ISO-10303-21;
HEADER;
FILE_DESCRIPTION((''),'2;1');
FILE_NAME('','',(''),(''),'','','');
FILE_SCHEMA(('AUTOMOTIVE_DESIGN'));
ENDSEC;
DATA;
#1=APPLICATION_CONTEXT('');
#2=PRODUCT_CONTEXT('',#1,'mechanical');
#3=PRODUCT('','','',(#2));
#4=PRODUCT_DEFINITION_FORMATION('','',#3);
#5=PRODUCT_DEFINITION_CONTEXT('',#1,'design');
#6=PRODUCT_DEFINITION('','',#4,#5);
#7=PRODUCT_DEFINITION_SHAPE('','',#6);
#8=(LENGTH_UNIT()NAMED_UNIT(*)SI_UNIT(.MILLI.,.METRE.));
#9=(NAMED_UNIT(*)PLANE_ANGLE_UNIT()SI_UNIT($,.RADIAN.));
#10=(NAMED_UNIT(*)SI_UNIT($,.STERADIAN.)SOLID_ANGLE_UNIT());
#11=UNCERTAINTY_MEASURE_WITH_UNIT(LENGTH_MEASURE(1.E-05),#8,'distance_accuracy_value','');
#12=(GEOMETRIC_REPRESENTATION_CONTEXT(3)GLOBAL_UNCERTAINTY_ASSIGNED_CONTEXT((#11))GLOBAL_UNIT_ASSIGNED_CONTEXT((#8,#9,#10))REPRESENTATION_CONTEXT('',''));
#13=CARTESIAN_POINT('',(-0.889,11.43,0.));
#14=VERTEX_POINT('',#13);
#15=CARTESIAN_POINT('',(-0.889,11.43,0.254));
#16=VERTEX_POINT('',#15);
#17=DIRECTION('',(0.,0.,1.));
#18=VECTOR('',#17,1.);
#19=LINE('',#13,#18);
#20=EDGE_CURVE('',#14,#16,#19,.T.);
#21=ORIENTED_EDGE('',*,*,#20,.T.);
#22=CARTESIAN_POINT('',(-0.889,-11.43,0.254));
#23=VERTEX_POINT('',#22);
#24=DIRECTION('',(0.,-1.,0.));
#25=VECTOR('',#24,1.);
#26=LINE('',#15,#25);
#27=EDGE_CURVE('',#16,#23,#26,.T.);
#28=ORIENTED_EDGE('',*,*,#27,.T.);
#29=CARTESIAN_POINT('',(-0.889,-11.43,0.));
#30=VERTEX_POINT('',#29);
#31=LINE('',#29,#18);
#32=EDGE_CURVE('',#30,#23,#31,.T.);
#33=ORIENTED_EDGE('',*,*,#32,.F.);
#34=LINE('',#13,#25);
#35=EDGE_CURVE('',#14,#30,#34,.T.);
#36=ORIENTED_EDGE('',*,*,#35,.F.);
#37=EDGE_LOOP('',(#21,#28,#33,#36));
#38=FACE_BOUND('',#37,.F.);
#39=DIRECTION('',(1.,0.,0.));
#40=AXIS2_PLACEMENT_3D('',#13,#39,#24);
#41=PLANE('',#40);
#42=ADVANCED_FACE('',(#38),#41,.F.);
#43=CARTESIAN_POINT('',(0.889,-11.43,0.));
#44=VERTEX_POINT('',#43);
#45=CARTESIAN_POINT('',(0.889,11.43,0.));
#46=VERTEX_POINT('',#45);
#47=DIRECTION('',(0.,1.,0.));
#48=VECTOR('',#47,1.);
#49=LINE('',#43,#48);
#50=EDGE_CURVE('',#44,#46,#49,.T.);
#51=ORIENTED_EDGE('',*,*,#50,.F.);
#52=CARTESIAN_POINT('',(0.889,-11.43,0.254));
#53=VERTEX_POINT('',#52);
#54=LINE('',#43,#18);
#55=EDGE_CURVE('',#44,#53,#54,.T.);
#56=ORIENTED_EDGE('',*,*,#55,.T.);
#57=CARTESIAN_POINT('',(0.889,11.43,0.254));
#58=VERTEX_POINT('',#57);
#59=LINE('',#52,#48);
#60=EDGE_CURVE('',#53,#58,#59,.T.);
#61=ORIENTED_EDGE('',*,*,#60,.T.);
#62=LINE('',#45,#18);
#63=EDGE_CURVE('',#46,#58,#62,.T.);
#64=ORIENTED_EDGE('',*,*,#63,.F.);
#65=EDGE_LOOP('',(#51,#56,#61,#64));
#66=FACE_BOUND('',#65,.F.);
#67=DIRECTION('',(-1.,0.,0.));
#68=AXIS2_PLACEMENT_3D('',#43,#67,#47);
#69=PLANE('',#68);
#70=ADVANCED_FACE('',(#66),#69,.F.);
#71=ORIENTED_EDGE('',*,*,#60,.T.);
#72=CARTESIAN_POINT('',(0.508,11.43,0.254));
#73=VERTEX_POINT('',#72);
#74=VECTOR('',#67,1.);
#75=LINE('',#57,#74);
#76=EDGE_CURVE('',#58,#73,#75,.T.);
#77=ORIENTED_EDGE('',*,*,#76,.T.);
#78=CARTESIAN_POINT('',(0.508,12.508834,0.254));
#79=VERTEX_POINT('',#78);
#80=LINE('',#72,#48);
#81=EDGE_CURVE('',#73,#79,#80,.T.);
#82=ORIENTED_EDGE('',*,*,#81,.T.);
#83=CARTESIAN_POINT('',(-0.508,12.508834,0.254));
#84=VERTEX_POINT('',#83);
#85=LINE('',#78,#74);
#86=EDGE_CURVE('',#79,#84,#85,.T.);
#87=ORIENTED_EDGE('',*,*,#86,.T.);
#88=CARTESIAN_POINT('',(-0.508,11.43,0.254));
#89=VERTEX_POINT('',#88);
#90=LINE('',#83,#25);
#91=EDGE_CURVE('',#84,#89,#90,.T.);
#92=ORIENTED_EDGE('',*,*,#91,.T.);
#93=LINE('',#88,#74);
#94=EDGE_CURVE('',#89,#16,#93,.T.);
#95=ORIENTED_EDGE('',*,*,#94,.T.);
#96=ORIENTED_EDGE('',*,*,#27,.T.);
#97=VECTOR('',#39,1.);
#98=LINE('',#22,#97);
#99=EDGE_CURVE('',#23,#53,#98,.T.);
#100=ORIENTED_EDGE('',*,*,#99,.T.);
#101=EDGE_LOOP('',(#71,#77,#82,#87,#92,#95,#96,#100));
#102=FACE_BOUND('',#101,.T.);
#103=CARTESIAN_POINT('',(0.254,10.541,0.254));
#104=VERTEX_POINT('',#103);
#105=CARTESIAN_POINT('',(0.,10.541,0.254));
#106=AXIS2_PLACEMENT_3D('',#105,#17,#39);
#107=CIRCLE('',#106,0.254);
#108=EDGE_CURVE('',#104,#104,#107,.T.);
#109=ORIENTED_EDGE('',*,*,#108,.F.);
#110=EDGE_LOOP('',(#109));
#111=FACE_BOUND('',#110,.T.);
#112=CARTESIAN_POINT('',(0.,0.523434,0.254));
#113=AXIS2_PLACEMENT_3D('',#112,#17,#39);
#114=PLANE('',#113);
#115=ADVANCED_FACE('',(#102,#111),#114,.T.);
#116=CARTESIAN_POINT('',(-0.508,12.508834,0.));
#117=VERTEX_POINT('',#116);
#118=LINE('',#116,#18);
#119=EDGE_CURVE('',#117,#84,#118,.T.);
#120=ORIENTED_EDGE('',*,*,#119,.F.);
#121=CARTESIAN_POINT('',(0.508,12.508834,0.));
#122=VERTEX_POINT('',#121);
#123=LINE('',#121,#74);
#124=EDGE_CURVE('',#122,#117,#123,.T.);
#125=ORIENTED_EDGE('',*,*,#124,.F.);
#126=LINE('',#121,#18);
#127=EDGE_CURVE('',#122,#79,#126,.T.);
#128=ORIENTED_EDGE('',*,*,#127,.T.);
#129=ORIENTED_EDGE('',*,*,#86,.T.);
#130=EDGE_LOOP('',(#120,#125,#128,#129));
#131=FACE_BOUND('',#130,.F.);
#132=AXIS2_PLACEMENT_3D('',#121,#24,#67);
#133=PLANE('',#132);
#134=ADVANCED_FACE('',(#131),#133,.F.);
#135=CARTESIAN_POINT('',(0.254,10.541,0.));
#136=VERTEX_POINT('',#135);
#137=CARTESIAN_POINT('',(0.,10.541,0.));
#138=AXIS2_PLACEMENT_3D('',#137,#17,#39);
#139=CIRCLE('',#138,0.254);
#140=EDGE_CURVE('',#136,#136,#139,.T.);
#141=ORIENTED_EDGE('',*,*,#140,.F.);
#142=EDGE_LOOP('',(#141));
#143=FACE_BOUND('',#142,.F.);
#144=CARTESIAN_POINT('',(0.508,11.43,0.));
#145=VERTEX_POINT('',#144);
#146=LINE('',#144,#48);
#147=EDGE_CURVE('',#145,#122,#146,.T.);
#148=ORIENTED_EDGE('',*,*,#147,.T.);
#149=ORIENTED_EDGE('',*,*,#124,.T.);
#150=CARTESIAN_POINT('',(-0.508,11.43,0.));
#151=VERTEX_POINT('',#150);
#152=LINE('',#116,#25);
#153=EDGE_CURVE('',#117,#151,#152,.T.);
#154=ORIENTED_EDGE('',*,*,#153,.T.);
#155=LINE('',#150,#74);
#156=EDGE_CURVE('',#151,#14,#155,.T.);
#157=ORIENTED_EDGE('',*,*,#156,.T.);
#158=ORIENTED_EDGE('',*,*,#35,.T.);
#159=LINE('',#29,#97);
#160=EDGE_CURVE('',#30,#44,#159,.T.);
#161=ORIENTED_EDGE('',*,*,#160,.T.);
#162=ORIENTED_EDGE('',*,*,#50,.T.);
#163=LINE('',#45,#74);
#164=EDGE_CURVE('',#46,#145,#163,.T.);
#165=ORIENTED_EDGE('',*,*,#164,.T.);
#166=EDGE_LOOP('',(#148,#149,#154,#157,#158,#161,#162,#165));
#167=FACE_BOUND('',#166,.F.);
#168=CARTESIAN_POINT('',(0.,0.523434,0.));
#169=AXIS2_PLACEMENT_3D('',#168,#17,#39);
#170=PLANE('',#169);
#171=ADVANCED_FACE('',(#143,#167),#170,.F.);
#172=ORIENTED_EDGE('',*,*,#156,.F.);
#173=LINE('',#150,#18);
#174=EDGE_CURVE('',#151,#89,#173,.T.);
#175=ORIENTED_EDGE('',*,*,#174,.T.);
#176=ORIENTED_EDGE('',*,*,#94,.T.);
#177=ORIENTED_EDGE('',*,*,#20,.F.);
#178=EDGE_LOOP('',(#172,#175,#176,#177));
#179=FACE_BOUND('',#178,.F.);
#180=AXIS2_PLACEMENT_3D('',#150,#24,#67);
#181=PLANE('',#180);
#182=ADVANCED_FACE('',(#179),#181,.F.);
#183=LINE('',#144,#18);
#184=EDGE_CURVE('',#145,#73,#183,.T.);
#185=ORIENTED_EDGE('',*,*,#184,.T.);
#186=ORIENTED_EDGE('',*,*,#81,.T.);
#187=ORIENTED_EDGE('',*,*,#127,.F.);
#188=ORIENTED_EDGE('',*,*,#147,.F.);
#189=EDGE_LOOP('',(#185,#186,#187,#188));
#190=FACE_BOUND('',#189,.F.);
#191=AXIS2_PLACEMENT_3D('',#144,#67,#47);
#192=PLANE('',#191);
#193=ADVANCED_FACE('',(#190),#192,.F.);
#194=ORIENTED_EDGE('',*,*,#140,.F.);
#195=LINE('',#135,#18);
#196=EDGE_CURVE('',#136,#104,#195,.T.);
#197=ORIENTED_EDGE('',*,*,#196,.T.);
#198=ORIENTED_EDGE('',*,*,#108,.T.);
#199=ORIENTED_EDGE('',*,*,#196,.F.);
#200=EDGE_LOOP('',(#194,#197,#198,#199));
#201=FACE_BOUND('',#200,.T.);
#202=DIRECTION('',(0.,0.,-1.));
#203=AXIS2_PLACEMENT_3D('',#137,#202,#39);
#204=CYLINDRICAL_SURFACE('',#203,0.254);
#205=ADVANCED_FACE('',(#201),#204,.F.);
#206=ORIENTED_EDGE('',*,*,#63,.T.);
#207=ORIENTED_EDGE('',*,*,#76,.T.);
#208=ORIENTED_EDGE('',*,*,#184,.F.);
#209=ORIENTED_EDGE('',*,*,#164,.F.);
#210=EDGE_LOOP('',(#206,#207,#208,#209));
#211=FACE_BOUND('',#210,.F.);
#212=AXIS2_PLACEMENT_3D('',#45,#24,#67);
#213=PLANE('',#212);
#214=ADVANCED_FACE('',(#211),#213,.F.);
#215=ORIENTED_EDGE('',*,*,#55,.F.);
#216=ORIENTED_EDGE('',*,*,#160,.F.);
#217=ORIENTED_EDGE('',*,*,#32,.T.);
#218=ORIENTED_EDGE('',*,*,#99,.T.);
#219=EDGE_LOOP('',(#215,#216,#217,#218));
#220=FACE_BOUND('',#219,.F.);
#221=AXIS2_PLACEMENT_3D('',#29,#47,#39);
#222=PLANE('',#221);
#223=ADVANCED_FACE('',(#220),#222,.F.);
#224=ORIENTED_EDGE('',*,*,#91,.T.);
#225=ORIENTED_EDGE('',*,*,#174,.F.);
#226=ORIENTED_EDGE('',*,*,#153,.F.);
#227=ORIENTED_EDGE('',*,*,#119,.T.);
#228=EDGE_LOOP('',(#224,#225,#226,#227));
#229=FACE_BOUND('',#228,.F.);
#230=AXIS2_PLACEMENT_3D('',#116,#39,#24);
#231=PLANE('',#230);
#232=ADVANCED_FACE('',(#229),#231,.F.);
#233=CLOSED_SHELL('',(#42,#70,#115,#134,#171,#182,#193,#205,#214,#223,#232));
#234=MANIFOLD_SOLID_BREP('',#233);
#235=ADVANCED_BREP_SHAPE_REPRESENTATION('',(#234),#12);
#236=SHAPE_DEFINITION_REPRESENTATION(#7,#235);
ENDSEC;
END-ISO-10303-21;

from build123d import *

# Parameters (mm, degrees)
F0_R     = 0.254
F1_DEPTH = 0.254


with BuildPart() as f1:
    # F0 (on Top) → F1 (new body)
    with BuildSketch(Plane.XY):
        Polygon((-0.889, -11.43), (0.889, -11.43), (0.889, 11.43), (0.508, 11.43), (0.508, 12.508834), (-0.508, 12.508834), (-0.508, 11.43), (-0.889, 11.43), align=None)
        with Locations((0, 10.541)):
            Circle(F0_R, mode=Mode.SUBTRACT)
    extrude(amount=F1_DEPTH)


solid = f1.part
